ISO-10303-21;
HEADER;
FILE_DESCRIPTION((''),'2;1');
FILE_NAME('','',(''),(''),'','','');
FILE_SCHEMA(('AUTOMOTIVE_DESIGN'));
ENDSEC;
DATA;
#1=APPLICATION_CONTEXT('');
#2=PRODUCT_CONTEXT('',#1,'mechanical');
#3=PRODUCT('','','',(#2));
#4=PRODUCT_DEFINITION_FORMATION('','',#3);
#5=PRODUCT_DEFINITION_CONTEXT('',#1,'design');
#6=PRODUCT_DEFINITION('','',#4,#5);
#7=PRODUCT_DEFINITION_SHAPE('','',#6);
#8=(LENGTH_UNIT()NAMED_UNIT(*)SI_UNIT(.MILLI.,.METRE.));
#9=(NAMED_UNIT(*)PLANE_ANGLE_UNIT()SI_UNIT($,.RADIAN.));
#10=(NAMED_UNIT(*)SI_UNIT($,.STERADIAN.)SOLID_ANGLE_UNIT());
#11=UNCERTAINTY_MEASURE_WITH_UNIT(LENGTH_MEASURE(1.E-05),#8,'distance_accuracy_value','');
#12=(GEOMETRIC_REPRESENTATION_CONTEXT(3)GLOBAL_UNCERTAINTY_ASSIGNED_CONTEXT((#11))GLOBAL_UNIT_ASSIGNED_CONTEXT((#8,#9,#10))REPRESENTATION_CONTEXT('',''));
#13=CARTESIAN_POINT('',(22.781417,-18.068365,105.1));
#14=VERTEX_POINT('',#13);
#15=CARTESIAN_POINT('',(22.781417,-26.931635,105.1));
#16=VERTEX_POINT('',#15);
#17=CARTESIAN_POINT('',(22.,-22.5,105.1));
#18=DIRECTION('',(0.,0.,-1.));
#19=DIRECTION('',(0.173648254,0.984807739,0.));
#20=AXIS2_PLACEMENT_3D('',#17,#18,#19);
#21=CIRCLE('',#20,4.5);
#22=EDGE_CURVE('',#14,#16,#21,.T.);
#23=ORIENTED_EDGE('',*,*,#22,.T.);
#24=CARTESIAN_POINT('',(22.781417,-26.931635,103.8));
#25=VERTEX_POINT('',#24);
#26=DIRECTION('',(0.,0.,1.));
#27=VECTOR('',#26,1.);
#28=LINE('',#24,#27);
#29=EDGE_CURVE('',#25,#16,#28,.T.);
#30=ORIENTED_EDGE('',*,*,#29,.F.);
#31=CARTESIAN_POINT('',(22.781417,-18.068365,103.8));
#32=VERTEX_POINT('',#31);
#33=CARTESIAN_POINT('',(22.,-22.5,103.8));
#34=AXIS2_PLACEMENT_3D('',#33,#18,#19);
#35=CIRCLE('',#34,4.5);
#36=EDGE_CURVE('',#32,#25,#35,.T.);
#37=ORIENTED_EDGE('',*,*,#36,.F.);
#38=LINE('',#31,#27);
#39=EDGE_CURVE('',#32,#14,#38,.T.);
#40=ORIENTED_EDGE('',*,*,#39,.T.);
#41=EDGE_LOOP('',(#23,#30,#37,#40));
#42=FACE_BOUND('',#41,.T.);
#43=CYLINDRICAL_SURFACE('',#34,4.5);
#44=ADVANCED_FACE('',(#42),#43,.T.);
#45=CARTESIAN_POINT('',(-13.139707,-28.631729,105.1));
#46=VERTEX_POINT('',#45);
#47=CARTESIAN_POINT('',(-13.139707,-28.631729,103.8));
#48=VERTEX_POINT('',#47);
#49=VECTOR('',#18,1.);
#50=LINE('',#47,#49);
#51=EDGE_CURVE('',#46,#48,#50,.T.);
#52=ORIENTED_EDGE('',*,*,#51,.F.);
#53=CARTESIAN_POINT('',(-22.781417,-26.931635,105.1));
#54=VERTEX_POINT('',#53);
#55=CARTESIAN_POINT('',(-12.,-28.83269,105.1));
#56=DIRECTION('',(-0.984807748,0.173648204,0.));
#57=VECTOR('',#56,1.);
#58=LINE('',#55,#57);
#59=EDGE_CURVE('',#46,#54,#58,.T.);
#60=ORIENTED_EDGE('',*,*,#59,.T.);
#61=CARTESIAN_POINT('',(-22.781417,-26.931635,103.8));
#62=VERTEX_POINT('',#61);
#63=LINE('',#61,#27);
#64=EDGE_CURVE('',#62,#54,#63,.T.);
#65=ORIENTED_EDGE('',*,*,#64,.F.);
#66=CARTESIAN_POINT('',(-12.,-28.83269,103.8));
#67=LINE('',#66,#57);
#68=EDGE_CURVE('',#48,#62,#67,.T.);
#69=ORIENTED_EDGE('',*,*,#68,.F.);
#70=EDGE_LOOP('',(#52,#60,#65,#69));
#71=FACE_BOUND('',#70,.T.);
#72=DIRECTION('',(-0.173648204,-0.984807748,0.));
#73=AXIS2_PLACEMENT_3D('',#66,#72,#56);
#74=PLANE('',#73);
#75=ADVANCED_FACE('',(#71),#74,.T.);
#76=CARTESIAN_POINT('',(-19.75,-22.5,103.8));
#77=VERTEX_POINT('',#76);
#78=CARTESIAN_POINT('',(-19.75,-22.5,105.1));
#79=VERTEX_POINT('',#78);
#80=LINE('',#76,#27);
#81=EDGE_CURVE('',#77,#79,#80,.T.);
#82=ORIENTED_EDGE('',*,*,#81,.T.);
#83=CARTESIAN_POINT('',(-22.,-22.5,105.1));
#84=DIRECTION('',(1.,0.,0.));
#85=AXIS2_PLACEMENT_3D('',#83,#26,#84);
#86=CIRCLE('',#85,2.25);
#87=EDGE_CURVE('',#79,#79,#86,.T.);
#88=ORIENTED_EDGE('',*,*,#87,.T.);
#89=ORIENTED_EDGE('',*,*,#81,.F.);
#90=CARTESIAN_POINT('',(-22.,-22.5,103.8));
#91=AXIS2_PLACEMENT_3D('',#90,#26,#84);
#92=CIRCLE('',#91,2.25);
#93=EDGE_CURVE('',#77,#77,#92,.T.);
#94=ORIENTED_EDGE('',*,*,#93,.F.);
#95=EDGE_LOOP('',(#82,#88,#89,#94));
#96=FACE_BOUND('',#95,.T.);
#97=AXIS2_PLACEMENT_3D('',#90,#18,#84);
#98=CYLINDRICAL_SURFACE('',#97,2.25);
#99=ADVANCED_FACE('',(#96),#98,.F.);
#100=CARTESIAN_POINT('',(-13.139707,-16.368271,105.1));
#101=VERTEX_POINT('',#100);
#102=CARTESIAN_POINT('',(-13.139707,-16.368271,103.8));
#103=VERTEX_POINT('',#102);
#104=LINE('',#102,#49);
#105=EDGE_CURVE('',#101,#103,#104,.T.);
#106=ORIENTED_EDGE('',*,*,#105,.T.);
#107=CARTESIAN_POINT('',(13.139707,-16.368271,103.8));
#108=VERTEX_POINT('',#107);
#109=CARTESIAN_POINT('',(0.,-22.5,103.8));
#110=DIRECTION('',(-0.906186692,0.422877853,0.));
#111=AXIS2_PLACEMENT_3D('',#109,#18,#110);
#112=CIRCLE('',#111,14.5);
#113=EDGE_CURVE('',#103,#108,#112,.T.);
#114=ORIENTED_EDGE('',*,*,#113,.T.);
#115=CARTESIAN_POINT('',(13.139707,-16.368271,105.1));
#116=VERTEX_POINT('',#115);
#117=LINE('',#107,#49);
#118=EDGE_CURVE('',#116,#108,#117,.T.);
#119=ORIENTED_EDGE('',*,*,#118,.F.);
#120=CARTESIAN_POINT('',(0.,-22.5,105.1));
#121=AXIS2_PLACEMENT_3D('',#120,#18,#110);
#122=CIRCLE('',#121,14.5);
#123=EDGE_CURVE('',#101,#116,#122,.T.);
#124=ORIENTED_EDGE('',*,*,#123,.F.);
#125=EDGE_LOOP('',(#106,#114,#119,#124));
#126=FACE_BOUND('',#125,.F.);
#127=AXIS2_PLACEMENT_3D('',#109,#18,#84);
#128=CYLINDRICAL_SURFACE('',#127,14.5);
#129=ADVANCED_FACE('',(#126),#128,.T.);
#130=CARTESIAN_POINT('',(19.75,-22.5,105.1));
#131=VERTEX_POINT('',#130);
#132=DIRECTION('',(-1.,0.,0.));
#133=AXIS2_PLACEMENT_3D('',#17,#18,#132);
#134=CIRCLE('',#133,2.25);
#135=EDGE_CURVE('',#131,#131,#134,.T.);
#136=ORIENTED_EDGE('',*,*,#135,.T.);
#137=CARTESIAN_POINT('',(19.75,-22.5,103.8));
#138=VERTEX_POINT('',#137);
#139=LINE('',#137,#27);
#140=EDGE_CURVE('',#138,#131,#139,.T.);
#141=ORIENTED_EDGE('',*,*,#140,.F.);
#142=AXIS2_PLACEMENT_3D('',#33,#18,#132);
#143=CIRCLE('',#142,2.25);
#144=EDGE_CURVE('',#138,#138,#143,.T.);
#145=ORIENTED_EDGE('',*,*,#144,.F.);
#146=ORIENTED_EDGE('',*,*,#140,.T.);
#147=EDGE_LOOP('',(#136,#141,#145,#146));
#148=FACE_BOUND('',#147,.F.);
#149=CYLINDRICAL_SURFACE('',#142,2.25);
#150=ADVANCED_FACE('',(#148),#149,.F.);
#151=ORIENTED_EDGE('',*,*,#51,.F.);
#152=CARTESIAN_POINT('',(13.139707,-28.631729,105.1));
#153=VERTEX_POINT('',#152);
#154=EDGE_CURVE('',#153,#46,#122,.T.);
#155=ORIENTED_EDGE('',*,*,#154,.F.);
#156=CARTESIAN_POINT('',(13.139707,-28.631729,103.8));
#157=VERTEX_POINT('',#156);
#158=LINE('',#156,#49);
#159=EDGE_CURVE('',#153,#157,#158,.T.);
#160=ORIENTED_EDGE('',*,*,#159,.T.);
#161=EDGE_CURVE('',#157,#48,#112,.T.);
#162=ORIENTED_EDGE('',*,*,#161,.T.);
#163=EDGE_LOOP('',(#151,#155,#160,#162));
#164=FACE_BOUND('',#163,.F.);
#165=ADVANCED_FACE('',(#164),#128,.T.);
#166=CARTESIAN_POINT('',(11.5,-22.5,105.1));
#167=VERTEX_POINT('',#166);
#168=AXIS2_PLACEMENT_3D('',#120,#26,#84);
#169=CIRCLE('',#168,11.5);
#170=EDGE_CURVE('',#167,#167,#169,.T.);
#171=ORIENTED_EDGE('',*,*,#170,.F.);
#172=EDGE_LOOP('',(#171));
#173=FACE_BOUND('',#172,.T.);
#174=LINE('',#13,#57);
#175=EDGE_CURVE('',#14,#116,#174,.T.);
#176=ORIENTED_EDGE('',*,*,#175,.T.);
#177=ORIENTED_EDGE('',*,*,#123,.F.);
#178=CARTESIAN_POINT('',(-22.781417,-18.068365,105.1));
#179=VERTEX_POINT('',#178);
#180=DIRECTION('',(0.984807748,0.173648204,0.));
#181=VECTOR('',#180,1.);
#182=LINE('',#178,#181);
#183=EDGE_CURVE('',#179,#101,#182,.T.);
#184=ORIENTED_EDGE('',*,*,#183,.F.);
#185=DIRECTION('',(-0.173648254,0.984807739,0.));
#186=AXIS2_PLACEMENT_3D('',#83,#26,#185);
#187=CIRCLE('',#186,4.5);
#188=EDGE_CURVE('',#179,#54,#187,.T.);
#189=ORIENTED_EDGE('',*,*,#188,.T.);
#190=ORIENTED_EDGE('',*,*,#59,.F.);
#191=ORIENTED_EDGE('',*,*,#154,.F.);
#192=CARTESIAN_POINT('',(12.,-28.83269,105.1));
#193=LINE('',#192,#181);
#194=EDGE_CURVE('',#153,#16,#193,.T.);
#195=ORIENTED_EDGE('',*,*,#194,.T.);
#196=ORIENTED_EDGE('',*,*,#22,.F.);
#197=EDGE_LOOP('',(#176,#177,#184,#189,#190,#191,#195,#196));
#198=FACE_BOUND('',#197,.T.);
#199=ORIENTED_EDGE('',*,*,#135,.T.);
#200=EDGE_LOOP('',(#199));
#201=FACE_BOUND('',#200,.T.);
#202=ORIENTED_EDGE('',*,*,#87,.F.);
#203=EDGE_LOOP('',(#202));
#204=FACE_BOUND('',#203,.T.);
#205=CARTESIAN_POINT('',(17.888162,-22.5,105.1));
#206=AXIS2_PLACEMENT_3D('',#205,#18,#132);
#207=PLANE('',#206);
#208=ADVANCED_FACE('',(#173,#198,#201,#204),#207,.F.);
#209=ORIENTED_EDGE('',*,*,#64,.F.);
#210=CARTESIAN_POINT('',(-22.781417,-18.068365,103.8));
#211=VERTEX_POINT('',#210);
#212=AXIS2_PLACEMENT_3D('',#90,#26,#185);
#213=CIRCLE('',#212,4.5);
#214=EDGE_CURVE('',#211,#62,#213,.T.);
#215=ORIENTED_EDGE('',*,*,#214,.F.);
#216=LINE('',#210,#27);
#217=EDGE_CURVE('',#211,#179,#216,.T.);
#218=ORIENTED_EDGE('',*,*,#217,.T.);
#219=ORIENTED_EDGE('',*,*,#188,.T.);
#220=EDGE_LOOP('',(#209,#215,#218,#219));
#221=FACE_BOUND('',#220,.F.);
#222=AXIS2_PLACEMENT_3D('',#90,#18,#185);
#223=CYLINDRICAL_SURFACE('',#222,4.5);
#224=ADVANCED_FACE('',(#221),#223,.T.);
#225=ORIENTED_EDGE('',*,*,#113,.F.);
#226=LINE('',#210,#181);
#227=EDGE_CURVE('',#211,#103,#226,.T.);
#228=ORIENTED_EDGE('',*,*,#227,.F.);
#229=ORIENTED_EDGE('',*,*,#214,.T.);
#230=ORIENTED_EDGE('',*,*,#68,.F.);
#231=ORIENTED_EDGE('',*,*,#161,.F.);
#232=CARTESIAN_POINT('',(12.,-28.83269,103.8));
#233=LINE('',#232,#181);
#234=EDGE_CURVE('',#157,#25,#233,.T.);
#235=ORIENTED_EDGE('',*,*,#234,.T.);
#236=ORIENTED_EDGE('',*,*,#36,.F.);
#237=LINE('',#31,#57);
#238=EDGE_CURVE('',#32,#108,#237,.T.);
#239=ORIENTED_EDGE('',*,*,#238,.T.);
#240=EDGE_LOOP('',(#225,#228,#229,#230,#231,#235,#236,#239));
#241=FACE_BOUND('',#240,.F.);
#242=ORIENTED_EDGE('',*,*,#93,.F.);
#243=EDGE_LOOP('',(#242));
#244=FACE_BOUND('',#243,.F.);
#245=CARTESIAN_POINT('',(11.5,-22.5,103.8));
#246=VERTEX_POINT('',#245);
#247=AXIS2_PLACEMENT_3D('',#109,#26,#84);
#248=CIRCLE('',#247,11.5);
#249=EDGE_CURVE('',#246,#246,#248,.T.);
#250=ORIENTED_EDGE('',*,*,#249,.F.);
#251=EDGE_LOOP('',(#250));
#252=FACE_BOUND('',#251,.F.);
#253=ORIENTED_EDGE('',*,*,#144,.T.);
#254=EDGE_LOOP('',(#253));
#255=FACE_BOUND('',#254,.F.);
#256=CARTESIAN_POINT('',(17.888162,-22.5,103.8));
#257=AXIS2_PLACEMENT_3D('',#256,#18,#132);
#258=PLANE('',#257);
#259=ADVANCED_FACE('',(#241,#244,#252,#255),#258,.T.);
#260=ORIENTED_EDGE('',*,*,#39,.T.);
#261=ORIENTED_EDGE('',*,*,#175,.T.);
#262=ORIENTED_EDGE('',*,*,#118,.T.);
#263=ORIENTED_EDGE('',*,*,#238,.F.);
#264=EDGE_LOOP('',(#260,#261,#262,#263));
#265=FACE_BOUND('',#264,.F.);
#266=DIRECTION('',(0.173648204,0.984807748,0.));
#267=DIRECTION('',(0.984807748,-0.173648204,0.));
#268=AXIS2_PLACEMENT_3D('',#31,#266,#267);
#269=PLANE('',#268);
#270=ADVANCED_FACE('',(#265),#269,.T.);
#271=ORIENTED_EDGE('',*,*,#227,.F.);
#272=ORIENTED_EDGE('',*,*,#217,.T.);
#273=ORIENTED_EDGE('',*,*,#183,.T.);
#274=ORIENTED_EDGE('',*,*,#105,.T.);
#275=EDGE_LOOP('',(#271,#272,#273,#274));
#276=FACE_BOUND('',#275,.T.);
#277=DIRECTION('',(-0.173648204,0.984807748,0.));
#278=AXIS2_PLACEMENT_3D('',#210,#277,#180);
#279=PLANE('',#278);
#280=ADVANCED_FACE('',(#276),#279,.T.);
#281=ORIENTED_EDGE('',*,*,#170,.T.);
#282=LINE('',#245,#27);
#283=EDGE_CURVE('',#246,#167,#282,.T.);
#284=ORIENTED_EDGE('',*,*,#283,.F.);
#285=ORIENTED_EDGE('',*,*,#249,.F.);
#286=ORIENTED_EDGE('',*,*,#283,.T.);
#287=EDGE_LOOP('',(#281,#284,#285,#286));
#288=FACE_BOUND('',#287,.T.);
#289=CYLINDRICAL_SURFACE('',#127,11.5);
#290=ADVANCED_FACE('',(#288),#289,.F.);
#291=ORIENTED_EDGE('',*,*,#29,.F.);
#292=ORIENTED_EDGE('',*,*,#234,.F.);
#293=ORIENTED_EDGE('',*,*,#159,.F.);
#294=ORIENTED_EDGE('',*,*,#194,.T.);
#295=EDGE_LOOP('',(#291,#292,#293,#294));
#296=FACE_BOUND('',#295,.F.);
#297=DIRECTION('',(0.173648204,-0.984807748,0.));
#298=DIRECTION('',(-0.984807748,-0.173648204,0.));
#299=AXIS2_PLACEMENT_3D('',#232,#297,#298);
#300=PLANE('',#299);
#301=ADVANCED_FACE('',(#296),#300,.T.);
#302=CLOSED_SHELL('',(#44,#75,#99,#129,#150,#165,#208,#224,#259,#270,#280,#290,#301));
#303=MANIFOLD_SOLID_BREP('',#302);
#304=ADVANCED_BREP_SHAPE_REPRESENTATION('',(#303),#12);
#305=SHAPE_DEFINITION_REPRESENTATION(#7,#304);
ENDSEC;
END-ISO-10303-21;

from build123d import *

# Parameters (mm, degrees)
SKETCH044_R   = 14.5
SKETCH044_R_2 = 11.5
PAD026_DEPTH  = 1.3
SKETCH045_R   = 2.25
PAD027_DEPTH  = 1.3


with BuildPart() as part:
    # Sketch044 → Pad026 (new body)
    with BuildSketch(Plane.XY):
        Circle(SKETCH044_R)
        Circle(SKETCH044_R_2, mode=Mode.SUBTRACT)
    extrude(amount=PAD026_DEPTH)

    # Sketch045 → Pad027 (join)
    with BuildSketch(Plane.XY):
        with BuildLine():
            Line((-22.781417, 4.431635), (-12, 6.33269))
            Line((-12, 6.33269), (-12, -6.33269))
            Line((-12, -6.33269), (-22.781417, -4.431635))
            ThreePointArc((-22.781417, 4.431635), (-26.5, 0), (-22.781417, -4.431635))
        make_face()
        with Locations((-22, 0)):
            Circle(SKETCH045_R, mode=Mode.SUBTRACT)
    pad027 = extrude(amount=PAD027_DEPTH)

    # Mirrored003: Pad027 across Sketch045 V_Axis
    add(pad027.mirror(Plane(origin=(0, 0, 0), x_dir=(0, 0, 1), z_dir=(1, 0, 0))))


with BuildPart() as part_1:
    # Body026 placement: moved
    add(part.part.moved(Location((0, -22.5, 103.8))))


solid = part_1.part
